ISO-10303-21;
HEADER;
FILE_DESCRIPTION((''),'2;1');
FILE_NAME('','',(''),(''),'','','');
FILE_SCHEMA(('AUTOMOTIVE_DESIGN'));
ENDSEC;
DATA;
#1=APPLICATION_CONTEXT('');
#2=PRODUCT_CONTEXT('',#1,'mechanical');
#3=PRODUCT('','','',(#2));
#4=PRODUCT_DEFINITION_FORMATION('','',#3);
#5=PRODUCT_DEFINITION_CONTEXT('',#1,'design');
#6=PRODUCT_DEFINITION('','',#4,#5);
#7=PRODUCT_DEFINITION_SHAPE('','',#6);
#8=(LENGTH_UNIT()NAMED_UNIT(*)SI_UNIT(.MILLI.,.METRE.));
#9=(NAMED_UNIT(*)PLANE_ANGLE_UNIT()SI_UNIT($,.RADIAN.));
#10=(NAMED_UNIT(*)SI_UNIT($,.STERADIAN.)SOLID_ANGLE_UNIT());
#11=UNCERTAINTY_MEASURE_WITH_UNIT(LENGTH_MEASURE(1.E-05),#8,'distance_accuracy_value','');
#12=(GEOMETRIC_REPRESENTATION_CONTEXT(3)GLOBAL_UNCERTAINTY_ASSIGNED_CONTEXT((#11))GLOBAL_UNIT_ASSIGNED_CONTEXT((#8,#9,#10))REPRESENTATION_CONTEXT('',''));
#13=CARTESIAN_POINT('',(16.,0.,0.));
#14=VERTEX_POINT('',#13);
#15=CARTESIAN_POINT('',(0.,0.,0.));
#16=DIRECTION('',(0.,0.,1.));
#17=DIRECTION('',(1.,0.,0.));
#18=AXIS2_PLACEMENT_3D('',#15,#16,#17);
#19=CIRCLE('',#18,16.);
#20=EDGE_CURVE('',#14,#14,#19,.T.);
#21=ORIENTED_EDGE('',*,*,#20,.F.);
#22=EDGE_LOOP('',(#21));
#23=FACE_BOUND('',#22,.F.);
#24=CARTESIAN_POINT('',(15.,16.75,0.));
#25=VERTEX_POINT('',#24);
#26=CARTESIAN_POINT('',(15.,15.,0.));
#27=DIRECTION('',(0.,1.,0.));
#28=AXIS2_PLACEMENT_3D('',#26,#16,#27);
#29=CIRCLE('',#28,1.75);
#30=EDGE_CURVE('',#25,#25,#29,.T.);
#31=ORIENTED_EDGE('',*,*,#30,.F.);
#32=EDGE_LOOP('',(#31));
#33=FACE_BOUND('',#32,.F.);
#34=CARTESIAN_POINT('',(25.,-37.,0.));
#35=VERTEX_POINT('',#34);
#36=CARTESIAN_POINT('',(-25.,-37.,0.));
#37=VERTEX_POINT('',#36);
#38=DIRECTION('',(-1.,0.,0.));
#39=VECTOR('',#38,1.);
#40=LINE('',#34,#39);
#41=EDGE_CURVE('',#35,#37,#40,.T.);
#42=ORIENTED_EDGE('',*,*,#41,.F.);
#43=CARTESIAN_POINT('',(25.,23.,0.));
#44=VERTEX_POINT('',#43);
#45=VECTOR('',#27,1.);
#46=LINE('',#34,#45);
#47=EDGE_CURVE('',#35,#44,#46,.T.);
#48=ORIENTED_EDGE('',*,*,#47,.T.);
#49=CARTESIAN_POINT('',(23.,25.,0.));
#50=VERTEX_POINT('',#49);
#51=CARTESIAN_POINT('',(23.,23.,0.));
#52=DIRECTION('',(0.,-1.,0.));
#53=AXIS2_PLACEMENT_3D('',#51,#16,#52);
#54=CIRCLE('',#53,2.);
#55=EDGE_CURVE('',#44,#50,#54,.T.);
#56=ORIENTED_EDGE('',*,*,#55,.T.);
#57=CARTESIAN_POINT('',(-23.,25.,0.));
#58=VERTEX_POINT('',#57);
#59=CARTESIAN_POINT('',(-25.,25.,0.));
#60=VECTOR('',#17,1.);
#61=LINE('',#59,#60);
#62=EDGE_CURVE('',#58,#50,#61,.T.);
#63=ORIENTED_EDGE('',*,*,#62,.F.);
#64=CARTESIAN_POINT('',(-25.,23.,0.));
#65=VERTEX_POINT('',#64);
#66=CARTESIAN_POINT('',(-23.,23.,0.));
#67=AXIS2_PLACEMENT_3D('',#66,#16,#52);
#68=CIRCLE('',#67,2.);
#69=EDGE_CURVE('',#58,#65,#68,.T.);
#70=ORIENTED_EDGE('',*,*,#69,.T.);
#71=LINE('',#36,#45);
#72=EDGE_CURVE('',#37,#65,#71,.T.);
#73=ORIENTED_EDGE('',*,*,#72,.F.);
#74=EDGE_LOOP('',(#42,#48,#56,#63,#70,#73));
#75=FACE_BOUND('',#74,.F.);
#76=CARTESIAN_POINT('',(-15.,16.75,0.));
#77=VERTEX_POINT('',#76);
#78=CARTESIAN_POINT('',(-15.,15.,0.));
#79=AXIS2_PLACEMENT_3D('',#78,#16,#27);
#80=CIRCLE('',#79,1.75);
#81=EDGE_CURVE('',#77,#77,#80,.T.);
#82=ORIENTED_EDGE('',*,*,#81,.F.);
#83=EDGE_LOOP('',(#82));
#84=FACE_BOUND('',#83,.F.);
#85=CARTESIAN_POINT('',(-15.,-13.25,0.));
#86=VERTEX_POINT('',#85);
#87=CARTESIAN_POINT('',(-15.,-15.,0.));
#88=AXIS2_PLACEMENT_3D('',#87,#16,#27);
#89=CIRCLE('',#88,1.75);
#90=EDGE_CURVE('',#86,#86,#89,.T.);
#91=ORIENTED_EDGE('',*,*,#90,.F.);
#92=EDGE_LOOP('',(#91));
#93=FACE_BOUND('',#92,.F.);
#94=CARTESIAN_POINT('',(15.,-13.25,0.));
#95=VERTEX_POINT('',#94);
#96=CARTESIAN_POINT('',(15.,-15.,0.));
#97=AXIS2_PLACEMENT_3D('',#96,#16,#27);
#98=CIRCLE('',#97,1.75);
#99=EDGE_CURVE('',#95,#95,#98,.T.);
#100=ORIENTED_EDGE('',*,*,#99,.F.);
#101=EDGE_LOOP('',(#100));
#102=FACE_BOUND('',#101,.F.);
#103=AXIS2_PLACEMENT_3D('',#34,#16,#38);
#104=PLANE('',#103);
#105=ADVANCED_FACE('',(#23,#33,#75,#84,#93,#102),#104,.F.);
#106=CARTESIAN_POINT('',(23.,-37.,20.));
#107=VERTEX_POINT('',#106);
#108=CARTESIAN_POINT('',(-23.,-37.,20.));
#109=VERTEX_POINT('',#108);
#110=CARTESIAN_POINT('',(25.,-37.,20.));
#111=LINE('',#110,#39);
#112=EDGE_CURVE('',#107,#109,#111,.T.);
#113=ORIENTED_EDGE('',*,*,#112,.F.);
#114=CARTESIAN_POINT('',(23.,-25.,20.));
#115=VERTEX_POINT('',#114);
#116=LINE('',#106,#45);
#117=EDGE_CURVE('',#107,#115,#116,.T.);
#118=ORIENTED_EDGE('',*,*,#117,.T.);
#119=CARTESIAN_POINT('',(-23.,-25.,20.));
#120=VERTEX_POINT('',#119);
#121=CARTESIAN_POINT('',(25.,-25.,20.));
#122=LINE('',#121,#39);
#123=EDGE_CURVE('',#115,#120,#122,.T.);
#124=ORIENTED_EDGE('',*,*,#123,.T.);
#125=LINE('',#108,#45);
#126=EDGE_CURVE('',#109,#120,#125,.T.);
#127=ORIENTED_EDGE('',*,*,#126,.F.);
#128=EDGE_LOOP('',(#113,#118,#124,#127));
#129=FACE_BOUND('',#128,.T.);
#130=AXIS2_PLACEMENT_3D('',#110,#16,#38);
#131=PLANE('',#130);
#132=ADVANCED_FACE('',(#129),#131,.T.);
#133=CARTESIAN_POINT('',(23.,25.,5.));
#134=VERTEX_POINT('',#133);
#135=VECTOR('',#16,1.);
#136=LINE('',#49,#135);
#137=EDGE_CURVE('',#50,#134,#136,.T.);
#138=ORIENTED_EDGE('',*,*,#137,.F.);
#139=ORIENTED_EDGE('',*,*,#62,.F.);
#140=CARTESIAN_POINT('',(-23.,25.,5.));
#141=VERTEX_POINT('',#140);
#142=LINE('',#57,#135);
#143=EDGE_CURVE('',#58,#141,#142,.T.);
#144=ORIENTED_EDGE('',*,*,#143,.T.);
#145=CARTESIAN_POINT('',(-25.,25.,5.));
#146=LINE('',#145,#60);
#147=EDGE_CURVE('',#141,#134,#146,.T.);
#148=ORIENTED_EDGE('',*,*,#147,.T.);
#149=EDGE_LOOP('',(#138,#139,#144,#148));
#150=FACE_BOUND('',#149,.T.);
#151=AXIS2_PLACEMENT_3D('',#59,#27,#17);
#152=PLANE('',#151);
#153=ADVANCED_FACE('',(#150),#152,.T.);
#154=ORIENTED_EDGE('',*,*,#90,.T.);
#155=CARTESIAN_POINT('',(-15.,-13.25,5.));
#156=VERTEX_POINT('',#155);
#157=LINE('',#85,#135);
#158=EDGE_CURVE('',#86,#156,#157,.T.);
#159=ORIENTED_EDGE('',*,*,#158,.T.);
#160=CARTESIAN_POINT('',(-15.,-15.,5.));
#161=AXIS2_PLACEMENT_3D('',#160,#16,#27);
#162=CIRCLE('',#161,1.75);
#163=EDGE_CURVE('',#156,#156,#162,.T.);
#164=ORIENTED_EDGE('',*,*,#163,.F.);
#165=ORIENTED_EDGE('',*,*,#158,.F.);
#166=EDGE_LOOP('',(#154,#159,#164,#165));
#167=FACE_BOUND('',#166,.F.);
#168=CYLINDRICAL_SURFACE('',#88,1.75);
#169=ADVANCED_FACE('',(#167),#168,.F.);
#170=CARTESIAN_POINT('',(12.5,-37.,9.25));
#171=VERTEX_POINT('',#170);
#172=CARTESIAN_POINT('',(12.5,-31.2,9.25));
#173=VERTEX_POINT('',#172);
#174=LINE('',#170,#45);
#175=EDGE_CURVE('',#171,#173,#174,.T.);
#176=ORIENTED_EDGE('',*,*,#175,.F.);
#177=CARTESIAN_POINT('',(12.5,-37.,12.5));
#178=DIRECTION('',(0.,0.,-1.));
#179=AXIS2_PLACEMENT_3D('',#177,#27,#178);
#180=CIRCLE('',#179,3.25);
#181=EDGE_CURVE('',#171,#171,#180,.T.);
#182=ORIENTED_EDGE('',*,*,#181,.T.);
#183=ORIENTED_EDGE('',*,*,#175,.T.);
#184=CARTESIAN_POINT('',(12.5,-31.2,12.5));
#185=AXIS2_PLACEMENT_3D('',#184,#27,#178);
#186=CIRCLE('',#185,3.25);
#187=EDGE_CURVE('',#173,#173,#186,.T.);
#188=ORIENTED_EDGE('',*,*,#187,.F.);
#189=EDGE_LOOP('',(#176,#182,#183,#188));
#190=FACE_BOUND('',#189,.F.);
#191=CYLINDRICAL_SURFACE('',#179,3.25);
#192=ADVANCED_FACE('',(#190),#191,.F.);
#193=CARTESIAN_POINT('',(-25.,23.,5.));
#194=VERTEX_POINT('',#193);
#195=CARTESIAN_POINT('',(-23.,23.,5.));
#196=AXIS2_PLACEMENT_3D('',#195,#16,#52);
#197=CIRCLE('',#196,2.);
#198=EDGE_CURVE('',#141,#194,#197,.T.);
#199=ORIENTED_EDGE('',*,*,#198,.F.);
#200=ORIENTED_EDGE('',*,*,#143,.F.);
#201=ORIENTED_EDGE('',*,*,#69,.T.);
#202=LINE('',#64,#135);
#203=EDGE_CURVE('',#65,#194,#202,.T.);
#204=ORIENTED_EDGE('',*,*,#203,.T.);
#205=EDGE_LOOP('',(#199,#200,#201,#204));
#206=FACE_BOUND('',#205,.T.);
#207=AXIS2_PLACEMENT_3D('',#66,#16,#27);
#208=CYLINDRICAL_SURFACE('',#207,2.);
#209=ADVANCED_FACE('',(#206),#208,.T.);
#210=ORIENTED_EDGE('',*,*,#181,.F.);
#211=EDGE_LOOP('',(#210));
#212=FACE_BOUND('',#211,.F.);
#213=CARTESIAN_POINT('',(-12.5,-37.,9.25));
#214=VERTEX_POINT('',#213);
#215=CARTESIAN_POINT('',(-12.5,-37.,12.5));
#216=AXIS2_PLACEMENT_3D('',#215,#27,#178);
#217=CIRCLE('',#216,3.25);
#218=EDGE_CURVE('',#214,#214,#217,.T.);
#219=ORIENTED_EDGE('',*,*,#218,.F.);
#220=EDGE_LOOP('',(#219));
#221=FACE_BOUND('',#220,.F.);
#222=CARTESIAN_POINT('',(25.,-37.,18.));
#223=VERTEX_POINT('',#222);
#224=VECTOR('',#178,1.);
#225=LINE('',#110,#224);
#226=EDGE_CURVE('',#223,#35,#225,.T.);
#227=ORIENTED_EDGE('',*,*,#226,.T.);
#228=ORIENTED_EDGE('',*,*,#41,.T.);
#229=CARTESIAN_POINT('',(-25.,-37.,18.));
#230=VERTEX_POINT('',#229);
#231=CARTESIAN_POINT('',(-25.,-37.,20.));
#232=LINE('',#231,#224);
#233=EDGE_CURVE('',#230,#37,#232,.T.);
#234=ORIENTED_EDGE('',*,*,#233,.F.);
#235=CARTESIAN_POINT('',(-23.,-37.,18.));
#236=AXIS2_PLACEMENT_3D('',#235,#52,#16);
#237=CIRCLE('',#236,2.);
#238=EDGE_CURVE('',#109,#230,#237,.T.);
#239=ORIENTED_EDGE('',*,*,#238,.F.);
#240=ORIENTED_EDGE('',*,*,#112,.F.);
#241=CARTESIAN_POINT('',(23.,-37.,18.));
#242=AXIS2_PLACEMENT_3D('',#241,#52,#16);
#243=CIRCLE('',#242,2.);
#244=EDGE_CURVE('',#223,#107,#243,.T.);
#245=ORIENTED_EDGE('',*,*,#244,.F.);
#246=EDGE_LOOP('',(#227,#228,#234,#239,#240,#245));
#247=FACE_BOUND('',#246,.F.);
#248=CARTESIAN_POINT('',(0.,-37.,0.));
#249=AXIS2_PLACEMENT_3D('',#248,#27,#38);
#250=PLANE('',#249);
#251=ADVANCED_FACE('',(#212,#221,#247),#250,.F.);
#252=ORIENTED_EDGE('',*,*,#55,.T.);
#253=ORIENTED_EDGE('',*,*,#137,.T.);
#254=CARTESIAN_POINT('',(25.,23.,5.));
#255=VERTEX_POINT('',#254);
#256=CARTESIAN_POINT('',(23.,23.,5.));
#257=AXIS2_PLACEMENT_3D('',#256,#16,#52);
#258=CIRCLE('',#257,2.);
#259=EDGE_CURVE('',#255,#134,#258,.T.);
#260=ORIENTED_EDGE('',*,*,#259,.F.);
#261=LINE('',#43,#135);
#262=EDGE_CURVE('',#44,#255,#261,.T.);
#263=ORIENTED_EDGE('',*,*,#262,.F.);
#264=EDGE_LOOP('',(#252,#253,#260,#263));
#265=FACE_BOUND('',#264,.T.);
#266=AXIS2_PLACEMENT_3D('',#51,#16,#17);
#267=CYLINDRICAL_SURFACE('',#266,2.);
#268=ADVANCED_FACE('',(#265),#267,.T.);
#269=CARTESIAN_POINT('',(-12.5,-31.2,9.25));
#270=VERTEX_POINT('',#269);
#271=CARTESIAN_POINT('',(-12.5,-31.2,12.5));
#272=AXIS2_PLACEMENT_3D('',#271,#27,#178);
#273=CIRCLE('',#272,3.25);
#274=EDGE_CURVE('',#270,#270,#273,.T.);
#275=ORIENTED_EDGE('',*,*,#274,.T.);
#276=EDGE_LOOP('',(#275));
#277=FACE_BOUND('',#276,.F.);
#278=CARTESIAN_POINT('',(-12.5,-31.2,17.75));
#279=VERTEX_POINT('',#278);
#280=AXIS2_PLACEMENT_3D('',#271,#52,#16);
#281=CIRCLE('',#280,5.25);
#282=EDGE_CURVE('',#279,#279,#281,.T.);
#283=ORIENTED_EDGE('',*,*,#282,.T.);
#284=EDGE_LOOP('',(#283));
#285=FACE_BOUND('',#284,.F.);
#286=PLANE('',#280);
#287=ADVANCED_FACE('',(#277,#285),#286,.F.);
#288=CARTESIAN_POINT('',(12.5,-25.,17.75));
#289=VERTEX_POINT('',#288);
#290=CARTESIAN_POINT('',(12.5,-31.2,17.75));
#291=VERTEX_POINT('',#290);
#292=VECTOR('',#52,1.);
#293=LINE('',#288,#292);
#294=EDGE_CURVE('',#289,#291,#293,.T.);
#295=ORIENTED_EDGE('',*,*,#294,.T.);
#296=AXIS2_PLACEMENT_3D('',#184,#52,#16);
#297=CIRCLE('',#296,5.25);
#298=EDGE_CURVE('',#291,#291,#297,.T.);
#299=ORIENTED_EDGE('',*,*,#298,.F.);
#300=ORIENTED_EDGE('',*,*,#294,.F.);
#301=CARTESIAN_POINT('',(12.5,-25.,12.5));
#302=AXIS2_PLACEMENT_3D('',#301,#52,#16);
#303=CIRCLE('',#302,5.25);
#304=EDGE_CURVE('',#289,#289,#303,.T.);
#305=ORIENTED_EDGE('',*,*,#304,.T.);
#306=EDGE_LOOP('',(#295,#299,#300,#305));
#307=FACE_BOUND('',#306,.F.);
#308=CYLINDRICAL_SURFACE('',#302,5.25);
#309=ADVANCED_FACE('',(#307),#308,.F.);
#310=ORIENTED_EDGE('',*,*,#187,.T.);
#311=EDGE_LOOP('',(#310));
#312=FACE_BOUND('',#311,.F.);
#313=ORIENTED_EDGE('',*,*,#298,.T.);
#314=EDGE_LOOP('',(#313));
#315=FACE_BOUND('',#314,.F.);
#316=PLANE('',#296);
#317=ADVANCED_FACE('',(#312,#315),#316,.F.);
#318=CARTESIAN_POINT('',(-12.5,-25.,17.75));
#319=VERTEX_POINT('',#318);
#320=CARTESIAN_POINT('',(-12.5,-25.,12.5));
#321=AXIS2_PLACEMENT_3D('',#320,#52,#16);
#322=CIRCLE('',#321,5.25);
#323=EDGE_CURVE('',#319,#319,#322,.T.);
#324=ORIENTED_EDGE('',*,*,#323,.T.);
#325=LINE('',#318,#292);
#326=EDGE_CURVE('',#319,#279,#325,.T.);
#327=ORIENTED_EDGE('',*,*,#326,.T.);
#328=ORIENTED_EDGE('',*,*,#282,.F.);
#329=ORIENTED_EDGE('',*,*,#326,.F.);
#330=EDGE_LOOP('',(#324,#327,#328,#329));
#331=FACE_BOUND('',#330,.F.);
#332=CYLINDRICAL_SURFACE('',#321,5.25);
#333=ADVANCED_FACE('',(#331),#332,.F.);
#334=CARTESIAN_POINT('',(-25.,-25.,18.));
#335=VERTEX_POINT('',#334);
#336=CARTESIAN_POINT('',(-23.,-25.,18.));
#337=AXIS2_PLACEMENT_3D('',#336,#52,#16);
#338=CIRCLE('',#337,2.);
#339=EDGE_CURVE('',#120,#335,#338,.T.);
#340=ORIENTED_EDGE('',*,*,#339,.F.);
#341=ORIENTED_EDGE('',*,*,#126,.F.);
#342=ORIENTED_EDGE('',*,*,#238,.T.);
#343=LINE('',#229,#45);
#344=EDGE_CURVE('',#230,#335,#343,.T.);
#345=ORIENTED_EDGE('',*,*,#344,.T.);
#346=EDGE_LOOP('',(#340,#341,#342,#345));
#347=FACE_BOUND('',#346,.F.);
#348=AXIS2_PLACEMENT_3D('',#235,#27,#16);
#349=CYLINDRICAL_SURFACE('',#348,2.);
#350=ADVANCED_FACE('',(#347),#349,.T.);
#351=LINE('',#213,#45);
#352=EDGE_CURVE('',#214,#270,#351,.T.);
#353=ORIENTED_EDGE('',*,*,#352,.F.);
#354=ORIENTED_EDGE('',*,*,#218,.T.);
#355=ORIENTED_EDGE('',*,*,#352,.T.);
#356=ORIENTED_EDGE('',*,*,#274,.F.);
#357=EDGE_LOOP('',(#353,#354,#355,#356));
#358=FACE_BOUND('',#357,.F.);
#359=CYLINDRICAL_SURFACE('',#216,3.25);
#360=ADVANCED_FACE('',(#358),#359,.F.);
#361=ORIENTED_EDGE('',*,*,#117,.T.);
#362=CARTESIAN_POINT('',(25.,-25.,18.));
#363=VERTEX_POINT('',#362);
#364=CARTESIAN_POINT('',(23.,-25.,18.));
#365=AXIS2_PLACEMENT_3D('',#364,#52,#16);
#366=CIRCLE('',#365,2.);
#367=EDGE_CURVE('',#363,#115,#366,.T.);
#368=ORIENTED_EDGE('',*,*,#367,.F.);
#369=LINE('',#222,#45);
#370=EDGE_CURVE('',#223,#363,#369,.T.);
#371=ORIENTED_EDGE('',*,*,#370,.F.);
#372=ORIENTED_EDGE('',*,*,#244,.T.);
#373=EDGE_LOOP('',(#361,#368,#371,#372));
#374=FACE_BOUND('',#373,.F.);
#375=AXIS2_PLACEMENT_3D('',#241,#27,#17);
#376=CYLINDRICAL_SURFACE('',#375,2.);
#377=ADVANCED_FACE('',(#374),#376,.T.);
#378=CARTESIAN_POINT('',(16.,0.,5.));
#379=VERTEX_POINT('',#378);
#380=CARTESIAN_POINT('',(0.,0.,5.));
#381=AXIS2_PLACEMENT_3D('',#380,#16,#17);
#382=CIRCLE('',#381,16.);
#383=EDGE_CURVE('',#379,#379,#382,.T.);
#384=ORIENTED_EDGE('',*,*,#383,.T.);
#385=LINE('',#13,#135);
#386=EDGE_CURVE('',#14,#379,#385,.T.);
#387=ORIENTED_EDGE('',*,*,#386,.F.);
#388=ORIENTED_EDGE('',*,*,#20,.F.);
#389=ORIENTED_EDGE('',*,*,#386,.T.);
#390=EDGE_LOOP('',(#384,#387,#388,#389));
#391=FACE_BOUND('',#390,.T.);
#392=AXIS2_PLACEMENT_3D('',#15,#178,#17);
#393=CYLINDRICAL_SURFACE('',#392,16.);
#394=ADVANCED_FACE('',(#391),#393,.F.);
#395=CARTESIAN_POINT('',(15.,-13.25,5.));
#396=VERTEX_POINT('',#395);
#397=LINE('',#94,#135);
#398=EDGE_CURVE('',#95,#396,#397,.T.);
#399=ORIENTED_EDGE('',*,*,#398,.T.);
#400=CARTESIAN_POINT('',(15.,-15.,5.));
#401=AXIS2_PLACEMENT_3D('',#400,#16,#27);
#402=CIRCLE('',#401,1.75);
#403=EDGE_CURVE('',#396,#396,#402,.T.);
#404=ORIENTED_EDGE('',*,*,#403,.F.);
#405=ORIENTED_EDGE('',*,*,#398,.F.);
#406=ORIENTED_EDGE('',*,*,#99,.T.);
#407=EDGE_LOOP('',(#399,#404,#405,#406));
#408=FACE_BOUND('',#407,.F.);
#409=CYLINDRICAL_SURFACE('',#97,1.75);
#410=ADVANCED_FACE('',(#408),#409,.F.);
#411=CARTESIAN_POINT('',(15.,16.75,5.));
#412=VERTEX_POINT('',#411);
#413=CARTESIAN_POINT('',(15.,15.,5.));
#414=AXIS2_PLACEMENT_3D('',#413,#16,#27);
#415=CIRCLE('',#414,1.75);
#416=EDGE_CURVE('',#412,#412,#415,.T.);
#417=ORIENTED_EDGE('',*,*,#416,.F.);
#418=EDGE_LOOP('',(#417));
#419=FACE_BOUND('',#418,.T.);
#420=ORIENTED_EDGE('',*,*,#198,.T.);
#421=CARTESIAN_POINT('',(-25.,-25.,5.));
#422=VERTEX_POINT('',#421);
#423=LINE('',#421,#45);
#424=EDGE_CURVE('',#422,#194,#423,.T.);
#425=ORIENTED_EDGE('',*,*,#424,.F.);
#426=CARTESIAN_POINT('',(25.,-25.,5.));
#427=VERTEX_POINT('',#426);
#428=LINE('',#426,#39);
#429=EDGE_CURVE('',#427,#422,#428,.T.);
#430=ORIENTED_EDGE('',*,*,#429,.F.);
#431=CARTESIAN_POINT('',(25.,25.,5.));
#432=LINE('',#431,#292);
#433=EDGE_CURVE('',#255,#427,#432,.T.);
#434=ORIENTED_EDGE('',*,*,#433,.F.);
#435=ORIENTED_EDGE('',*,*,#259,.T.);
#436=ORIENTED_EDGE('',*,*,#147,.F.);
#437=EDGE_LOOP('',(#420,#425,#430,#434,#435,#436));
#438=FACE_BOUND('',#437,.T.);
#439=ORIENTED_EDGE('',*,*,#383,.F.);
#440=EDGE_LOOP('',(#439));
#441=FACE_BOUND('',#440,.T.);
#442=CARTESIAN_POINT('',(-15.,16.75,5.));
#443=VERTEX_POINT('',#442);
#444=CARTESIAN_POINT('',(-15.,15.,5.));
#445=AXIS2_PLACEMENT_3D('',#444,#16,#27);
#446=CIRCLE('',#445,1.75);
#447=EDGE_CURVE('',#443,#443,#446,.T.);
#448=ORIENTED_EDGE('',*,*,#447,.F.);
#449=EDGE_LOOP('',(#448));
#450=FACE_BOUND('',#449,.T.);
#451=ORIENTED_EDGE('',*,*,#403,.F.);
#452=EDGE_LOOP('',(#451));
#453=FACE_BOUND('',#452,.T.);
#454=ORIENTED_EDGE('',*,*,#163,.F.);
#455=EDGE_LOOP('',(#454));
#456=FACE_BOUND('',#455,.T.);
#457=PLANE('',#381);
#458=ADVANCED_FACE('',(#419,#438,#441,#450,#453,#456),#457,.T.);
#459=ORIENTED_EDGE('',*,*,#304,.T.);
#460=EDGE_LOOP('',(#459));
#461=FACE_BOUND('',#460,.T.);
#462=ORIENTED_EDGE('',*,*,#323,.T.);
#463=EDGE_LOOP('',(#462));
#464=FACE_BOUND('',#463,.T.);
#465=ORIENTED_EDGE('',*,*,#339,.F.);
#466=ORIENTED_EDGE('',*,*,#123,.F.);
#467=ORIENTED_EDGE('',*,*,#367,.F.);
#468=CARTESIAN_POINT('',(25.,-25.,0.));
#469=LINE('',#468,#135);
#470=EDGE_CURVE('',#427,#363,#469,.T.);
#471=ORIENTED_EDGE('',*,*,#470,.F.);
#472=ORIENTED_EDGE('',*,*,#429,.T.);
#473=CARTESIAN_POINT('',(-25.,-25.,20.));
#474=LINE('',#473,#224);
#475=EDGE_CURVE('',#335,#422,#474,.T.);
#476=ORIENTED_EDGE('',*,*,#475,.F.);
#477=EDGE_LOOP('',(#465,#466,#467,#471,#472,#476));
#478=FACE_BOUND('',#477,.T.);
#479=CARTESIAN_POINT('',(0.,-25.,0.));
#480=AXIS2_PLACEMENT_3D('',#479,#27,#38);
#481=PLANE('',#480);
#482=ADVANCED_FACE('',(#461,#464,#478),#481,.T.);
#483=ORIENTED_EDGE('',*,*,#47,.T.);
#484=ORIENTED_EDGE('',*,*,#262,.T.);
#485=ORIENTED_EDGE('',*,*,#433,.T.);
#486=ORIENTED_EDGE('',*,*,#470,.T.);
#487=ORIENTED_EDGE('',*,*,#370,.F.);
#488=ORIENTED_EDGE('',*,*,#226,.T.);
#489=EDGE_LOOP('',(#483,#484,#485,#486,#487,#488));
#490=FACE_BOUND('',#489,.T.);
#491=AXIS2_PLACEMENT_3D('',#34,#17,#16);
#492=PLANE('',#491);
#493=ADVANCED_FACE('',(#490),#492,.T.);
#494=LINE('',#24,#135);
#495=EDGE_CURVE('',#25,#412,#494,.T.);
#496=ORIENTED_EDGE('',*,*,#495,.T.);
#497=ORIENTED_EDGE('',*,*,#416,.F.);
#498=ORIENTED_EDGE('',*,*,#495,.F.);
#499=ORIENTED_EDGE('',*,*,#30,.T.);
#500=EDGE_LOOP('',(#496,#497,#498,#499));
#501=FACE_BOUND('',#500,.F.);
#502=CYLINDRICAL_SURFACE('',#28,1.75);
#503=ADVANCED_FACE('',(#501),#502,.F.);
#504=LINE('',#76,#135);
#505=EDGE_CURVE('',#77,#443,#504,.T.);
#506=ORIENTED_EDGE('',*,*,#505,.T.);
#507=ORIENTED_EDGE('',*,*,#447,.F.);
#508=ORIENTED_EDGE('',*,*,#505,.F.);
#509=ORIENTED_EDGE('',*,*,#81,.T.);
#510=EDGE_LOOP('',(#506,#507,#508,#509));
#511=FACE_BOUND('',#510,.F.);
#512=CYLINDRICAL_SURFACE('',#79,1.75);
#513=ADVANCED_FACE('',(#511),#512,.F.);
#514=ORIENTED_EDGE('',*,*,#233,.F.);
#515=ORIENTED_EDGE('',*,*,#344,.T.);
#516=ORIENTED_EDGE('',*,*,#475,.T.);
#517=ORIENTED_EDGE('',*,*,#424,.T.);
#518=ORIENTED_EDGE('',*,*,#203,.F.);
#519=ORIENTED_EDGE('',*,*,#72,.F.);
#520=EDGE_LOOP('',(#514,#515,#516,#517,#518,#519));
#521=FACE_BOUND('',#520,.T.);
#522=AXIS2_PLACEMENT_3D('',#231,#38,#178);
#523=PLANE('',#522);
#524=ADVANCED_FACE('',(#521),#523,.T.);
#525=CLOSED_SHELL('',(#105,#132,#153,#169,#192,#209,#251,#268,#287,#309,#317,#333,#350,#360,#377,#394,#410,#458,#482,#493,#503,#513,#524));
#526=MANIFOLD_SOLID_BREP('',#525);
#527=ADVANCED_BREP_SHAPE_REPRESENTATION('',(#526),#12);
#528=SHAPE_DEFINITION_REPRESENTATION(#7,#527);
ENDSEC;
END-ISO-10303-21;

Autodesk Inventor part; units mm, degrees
ref_plane "YZ Plane" through (0, 0, 0) normal (1, 0, 0) x (0, 1, 0)
ref_plane "XY Plane" through (0, 0, 0) normal (0, 0, 1) x (1, 0, 0)
sketch "Sketch1" plane through (0, 0, 0) normal (0, 0, 1) x (1, 0, 0)
  circle A0 centre (0, 0) radius 16
  line L0 (25, -25) -> (-25, -25)
  line L1 (-25, -25) -> (-25, 25)
  line L2 (-25, 25) -> (25, 25)
  line L3 (25, 25) -> (25, -25)
  line L4 (25, -25) -> (-25, 25) construction
  line L5 (-25, -25) -> (25, 25) construction
  point P0 (-15, 15)
  point P1 (15, 15)
  point P2 (-15, -15)
  point P3 (15, -15)
  dimension "d0" = 32
  dimension "d1" = 50
  dimension "d2" = 50
  dimension "d5" = 30
  dimension "d8" = 30
extrude "Extrusion1" add sketch "Sketch1" along normal blind 5
hole "Hole1" at (-15, 15, 0) at (15, 15, 0) at (-15, -15, 0) at (15, -15, 0) direction (0, 0, 1) diameter 3.5 end through all
ref_plane "Work Plane1" through (0, -37, 0) normal (0, 1, 0) x (-1, 0, 0)
sketch "Sketch2" plane through (0, -37, 0) normal (0, 1, 0) x (-1, 0, 0)
  line L0 (-25, 0) -> (25, 0) projected
  line L1 (-25, 0) -> (-25, 5) projected
  line L2 (25, 0) -> (-25, 0)
  line L3 (-25, 0) -> (-25, 20)
  line L4 (-25, 20) -> (25, 20)
  line L5 (25, 20) -> (25, 0)
  point P0 (0, 0)
  point P1 (12.5, 12.5)
  point P2 (-12.5, 12.5)
  dimension "d21" = 20
  dimension "d24" = 25
  dimension "d46" = 12.5
extrude "Extrusion2" add sketch "Sketch2" along normal up to surface (12 mm away)
hole "Hole2" at (12.5, -37, 12.5) at (-12.5, -37, 12.5) direction (0, 1, 0) diameter 6.5 end through all
fillet "Fillet1" radius 2 4 edges at (25, 25, 2.5) (-25, 25, 2.5) (25, -31, 20) (-25, -31, 20)
sketch "Sketch5" plane through (-25, -25, 5) normal (0, 1, 0) x (1, 0, 0)
  point P0 (25, 5)
  point P1 (12.5, -7.5)
  point P2 (37.5, -7.5)
hole "Hole4" at (-12.5, -25, 12.5) at (12.5, -25, 12.5) direction (0, -1, 0) diameter 10.5 depth 6.2
properties part number "mirror-bracket"
